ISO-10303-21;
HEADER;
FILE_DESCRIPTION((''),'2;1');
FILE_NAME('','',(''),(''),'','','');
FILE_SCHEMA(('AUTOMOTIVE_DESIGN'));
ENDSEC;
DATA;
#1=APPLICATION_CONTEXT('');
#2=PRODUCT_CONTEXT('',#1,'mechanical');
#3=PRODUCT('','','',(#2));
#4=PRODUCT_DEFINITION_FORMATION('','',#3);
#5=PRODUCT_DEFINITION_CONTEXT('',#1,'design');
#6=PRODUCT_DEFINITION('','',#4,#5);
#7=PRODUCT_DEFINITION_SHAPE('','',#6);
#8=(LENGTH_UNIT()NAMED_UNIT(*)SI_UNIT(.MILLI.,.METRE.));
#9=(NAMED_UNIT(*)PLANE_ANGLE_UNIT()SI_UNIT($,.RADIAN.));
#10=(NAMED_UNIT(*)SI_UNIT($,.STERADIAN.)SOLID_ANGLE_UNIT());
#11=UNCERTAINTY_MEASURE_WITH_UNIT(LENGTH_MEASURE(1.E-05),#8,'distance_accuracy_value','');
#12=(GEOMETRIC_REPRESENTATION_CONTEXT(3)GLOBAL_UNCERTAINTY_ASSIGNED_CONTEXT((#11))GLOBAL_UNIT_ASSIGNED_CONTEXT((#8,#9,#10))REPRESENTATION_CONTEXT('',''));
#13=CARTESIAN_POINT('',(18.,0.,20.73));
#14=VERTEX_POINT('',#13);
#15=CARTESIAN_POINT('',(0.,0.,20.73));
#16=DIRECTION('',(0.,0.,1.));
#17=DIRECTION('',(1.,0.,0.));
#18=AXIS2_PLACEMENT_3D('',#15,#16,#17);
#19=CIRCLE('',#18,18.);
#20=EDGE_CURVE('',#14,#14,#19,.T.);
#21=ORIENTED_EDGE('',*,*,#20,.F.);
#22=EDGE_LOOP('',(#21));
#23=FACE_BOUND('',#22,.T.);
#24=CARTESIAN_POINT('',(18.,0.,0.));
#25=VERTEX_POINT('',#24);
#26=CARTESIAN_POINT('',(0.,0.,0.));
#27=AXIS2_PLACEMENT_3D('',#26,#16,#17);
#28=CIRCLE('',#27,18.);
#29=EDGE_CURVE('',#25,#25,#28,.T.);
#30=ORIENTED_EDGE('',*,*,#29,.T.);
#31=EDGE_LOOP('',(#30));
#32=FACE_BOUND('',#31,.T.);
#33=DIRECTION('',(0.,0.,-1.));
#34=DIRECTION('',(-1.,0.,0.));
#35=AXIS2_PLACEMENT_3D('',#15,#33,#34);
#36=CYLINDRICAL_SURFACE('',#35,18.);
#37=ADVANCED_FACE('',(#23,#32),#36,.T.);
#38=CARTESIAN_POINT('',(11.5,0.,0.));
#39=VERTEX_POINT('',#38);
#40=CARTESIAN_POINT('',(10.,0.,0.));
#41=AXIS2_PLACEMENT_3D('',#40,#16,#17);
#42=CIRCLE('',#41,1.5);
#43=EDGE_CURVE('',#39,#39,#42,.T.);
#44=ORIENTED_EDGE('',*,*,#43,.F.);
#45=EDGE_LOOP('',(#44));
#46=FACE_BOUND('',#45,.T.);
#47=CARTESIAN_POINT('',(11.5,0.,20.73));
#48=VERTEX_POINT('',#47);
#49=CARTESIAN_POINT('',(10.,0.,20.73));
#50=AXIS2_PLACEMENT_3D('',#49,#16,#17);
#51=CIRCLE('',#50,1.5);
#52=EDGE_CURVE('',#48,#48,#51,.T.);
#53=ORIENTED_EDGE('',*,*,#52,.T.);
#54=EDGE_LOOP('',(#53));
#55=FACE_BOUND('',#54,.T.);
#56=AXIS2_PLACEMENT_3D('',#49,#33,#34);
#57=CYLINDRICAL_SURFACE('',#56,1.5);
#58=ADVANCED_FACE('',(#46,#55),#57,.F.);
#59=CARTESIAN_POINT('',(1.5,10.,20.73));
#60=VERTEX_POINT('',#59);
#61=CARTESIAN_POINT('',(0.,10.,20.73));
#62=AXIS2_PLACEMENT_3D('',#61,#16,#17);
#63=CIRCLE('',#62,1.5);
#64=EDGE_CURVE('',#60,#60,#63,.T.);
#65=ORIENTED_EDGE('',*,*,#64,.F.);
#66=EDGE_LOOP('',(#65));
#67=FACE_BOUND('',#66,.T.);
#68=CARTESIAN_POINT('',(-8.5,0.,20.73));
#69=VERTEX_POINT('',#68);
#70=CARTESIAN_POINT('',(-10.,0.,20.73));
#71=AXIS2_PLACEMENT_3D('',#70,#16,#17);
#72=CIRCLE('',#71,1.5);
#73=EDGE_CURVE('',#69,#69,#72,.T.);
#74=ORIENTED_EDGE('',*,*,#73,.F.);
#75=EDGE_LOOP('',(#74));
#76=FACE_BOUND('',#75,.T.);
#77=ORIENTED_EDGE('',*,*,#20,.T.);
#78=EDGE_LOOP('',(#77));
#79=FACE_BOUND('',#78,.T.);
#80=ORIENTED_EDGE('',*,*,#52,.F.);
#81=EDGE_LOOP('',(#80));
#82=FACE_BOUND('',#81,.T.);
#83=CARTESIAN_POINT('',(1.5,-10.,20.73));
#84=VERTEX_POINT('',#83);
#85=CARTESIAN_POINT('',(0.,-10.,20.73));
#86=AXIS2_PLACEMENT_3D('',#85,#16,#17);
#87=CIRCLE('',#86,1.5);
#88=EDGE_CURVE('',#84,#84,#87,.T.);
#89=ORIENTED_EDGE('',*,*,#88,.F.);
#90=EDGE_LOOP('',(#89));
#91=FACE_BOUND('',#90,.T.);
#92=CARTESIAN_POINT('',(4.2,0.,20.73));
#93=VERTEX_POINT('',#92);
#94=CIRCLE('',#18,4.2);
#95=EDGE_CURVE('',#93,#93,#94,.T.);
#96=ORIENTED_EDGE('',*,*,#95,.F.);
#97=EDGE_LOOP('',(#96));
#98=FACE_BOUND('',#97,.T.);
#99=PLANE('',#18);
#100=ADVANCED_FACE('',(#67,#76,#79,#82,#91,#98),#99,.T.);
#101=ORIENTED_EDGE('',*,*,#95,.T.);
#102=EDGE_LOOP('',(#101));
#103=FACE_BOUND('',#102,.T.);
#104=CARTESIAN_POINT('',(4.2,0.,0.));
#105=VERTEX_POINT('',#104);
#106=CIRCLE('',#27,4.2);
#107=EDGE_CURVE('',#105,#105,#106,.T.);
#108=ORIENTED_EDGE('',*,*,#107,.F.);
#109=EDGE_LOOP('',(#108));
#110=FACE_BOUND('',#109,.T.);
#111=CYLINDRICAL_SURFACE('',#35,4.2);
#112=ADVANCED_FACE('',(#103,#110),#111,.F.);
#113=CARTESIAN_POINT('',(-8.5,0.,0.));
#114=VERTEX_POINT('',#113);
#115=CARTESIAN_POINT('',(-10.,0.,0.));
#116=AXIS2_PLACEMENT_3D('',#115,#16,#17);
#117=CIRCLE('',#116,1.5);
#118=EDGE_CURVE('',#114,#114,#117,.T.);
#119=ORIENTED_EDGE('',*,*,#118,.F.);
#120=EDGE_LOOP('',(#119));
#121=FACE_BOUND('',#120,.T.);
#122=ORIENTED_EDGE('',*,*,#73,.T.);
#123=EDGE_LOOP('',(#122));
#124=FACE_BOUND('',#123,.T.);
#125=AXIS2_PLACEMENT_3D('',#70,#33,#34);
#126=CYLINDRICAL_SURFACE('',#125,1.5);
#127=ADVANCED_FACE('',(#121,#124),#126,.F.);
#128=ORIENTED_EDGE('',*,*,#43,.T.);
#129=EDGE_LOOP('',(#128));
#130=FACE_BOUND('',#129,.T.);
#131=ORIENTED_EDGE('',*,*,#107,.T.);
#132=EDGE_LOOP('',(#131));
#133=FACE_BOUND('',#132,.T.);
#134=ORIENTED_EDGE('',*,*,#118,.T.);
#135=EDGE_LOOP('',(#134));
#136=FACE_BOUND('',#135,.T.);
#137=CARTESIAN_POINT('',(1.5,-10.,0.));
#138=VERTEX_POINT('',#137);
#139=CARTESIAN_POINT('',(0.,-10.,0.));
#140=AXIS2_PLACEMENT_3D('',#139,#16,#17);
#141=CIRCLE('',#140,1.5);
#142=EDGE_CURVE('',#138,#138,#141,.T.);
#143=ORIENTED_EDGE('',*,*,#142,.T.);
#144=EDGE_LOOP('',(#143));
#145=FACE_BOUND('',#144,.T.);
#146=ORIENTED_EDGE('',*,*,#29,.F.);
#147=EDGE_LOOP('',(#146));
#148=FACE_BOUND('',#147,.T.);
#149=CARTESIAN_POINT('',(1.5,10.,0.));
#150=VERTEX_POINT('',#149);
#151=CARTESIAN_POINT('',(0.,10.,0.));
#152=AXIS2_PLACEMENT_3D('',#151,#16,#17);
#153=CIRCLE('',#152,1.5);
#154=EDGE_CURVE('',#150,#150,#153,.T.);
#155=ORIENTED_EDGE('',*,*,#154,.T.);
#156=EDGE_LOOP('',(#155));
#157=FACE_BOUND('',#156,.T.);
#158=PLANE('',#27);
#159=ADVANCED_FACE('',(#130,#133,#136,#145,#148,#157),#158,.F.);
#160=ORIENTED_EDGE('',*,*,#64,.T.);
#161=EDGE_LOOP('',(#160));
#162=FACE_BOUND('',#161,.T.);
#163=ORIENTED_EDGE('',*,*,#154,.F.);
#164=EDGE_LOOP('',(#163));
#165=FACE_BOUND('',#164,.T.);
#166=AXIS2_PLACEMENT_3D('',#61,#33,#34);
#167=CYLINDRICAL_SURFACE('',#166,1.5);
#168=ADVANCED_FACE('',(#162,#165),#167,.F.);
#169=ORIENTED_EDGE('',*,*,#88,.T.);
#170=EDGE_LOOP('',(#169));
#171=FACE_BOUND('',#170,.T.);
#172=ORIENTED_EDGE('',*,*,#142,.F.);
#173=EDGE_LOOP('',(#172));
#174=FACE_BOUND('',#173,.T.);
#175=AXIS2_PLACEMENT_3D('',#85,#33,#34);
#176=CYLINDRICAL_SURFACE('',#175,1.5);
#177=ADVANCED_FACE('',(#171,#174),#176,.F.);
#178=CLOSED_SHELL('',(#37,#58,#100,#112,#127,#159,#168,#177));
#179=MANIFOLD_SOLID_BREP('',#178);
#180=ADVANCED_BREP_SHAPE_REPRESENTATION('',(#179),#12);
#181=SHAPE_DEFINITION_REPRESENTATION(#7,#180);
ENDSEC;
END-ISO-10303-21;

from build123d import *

# Parameters (mm, degrees)
SKETCH1_R           = 18
SKETCH1_R_2         = 1.5
SKETCH1_R_3         = 4.2
BOSS_EXTRUDE2_DEPTH = 20.73


with BuildPart() as part:
    # Sketch1 → Boss-Extrude2 (new body)
    with BuildSketch(Plane.XY):
        Circle(SKETCH1_R)
        with Locations((0, 10)):
            Circle(SKETCH1_R_2, mode=Mode.SUBTRACT)
        Circle(SKETCH1_R_3, mode=Mode.SUBTRACT)
        with Locations((10, 0)):
            Circle(SKETCH1_R_2, mode=Mode.SUBTRACT)
        with Locations((0, -10)):
            Circle(SKETCH1_R_2, mode=Mode.SUBTRACT)
        with Locations((-10, 0)):
            Circle(SKETCH1_R_2, mode=Mode.SUBTRACT)
    extrude(amount=BOSS_EXTRUDE2_DEPTH)


solid = part.part
